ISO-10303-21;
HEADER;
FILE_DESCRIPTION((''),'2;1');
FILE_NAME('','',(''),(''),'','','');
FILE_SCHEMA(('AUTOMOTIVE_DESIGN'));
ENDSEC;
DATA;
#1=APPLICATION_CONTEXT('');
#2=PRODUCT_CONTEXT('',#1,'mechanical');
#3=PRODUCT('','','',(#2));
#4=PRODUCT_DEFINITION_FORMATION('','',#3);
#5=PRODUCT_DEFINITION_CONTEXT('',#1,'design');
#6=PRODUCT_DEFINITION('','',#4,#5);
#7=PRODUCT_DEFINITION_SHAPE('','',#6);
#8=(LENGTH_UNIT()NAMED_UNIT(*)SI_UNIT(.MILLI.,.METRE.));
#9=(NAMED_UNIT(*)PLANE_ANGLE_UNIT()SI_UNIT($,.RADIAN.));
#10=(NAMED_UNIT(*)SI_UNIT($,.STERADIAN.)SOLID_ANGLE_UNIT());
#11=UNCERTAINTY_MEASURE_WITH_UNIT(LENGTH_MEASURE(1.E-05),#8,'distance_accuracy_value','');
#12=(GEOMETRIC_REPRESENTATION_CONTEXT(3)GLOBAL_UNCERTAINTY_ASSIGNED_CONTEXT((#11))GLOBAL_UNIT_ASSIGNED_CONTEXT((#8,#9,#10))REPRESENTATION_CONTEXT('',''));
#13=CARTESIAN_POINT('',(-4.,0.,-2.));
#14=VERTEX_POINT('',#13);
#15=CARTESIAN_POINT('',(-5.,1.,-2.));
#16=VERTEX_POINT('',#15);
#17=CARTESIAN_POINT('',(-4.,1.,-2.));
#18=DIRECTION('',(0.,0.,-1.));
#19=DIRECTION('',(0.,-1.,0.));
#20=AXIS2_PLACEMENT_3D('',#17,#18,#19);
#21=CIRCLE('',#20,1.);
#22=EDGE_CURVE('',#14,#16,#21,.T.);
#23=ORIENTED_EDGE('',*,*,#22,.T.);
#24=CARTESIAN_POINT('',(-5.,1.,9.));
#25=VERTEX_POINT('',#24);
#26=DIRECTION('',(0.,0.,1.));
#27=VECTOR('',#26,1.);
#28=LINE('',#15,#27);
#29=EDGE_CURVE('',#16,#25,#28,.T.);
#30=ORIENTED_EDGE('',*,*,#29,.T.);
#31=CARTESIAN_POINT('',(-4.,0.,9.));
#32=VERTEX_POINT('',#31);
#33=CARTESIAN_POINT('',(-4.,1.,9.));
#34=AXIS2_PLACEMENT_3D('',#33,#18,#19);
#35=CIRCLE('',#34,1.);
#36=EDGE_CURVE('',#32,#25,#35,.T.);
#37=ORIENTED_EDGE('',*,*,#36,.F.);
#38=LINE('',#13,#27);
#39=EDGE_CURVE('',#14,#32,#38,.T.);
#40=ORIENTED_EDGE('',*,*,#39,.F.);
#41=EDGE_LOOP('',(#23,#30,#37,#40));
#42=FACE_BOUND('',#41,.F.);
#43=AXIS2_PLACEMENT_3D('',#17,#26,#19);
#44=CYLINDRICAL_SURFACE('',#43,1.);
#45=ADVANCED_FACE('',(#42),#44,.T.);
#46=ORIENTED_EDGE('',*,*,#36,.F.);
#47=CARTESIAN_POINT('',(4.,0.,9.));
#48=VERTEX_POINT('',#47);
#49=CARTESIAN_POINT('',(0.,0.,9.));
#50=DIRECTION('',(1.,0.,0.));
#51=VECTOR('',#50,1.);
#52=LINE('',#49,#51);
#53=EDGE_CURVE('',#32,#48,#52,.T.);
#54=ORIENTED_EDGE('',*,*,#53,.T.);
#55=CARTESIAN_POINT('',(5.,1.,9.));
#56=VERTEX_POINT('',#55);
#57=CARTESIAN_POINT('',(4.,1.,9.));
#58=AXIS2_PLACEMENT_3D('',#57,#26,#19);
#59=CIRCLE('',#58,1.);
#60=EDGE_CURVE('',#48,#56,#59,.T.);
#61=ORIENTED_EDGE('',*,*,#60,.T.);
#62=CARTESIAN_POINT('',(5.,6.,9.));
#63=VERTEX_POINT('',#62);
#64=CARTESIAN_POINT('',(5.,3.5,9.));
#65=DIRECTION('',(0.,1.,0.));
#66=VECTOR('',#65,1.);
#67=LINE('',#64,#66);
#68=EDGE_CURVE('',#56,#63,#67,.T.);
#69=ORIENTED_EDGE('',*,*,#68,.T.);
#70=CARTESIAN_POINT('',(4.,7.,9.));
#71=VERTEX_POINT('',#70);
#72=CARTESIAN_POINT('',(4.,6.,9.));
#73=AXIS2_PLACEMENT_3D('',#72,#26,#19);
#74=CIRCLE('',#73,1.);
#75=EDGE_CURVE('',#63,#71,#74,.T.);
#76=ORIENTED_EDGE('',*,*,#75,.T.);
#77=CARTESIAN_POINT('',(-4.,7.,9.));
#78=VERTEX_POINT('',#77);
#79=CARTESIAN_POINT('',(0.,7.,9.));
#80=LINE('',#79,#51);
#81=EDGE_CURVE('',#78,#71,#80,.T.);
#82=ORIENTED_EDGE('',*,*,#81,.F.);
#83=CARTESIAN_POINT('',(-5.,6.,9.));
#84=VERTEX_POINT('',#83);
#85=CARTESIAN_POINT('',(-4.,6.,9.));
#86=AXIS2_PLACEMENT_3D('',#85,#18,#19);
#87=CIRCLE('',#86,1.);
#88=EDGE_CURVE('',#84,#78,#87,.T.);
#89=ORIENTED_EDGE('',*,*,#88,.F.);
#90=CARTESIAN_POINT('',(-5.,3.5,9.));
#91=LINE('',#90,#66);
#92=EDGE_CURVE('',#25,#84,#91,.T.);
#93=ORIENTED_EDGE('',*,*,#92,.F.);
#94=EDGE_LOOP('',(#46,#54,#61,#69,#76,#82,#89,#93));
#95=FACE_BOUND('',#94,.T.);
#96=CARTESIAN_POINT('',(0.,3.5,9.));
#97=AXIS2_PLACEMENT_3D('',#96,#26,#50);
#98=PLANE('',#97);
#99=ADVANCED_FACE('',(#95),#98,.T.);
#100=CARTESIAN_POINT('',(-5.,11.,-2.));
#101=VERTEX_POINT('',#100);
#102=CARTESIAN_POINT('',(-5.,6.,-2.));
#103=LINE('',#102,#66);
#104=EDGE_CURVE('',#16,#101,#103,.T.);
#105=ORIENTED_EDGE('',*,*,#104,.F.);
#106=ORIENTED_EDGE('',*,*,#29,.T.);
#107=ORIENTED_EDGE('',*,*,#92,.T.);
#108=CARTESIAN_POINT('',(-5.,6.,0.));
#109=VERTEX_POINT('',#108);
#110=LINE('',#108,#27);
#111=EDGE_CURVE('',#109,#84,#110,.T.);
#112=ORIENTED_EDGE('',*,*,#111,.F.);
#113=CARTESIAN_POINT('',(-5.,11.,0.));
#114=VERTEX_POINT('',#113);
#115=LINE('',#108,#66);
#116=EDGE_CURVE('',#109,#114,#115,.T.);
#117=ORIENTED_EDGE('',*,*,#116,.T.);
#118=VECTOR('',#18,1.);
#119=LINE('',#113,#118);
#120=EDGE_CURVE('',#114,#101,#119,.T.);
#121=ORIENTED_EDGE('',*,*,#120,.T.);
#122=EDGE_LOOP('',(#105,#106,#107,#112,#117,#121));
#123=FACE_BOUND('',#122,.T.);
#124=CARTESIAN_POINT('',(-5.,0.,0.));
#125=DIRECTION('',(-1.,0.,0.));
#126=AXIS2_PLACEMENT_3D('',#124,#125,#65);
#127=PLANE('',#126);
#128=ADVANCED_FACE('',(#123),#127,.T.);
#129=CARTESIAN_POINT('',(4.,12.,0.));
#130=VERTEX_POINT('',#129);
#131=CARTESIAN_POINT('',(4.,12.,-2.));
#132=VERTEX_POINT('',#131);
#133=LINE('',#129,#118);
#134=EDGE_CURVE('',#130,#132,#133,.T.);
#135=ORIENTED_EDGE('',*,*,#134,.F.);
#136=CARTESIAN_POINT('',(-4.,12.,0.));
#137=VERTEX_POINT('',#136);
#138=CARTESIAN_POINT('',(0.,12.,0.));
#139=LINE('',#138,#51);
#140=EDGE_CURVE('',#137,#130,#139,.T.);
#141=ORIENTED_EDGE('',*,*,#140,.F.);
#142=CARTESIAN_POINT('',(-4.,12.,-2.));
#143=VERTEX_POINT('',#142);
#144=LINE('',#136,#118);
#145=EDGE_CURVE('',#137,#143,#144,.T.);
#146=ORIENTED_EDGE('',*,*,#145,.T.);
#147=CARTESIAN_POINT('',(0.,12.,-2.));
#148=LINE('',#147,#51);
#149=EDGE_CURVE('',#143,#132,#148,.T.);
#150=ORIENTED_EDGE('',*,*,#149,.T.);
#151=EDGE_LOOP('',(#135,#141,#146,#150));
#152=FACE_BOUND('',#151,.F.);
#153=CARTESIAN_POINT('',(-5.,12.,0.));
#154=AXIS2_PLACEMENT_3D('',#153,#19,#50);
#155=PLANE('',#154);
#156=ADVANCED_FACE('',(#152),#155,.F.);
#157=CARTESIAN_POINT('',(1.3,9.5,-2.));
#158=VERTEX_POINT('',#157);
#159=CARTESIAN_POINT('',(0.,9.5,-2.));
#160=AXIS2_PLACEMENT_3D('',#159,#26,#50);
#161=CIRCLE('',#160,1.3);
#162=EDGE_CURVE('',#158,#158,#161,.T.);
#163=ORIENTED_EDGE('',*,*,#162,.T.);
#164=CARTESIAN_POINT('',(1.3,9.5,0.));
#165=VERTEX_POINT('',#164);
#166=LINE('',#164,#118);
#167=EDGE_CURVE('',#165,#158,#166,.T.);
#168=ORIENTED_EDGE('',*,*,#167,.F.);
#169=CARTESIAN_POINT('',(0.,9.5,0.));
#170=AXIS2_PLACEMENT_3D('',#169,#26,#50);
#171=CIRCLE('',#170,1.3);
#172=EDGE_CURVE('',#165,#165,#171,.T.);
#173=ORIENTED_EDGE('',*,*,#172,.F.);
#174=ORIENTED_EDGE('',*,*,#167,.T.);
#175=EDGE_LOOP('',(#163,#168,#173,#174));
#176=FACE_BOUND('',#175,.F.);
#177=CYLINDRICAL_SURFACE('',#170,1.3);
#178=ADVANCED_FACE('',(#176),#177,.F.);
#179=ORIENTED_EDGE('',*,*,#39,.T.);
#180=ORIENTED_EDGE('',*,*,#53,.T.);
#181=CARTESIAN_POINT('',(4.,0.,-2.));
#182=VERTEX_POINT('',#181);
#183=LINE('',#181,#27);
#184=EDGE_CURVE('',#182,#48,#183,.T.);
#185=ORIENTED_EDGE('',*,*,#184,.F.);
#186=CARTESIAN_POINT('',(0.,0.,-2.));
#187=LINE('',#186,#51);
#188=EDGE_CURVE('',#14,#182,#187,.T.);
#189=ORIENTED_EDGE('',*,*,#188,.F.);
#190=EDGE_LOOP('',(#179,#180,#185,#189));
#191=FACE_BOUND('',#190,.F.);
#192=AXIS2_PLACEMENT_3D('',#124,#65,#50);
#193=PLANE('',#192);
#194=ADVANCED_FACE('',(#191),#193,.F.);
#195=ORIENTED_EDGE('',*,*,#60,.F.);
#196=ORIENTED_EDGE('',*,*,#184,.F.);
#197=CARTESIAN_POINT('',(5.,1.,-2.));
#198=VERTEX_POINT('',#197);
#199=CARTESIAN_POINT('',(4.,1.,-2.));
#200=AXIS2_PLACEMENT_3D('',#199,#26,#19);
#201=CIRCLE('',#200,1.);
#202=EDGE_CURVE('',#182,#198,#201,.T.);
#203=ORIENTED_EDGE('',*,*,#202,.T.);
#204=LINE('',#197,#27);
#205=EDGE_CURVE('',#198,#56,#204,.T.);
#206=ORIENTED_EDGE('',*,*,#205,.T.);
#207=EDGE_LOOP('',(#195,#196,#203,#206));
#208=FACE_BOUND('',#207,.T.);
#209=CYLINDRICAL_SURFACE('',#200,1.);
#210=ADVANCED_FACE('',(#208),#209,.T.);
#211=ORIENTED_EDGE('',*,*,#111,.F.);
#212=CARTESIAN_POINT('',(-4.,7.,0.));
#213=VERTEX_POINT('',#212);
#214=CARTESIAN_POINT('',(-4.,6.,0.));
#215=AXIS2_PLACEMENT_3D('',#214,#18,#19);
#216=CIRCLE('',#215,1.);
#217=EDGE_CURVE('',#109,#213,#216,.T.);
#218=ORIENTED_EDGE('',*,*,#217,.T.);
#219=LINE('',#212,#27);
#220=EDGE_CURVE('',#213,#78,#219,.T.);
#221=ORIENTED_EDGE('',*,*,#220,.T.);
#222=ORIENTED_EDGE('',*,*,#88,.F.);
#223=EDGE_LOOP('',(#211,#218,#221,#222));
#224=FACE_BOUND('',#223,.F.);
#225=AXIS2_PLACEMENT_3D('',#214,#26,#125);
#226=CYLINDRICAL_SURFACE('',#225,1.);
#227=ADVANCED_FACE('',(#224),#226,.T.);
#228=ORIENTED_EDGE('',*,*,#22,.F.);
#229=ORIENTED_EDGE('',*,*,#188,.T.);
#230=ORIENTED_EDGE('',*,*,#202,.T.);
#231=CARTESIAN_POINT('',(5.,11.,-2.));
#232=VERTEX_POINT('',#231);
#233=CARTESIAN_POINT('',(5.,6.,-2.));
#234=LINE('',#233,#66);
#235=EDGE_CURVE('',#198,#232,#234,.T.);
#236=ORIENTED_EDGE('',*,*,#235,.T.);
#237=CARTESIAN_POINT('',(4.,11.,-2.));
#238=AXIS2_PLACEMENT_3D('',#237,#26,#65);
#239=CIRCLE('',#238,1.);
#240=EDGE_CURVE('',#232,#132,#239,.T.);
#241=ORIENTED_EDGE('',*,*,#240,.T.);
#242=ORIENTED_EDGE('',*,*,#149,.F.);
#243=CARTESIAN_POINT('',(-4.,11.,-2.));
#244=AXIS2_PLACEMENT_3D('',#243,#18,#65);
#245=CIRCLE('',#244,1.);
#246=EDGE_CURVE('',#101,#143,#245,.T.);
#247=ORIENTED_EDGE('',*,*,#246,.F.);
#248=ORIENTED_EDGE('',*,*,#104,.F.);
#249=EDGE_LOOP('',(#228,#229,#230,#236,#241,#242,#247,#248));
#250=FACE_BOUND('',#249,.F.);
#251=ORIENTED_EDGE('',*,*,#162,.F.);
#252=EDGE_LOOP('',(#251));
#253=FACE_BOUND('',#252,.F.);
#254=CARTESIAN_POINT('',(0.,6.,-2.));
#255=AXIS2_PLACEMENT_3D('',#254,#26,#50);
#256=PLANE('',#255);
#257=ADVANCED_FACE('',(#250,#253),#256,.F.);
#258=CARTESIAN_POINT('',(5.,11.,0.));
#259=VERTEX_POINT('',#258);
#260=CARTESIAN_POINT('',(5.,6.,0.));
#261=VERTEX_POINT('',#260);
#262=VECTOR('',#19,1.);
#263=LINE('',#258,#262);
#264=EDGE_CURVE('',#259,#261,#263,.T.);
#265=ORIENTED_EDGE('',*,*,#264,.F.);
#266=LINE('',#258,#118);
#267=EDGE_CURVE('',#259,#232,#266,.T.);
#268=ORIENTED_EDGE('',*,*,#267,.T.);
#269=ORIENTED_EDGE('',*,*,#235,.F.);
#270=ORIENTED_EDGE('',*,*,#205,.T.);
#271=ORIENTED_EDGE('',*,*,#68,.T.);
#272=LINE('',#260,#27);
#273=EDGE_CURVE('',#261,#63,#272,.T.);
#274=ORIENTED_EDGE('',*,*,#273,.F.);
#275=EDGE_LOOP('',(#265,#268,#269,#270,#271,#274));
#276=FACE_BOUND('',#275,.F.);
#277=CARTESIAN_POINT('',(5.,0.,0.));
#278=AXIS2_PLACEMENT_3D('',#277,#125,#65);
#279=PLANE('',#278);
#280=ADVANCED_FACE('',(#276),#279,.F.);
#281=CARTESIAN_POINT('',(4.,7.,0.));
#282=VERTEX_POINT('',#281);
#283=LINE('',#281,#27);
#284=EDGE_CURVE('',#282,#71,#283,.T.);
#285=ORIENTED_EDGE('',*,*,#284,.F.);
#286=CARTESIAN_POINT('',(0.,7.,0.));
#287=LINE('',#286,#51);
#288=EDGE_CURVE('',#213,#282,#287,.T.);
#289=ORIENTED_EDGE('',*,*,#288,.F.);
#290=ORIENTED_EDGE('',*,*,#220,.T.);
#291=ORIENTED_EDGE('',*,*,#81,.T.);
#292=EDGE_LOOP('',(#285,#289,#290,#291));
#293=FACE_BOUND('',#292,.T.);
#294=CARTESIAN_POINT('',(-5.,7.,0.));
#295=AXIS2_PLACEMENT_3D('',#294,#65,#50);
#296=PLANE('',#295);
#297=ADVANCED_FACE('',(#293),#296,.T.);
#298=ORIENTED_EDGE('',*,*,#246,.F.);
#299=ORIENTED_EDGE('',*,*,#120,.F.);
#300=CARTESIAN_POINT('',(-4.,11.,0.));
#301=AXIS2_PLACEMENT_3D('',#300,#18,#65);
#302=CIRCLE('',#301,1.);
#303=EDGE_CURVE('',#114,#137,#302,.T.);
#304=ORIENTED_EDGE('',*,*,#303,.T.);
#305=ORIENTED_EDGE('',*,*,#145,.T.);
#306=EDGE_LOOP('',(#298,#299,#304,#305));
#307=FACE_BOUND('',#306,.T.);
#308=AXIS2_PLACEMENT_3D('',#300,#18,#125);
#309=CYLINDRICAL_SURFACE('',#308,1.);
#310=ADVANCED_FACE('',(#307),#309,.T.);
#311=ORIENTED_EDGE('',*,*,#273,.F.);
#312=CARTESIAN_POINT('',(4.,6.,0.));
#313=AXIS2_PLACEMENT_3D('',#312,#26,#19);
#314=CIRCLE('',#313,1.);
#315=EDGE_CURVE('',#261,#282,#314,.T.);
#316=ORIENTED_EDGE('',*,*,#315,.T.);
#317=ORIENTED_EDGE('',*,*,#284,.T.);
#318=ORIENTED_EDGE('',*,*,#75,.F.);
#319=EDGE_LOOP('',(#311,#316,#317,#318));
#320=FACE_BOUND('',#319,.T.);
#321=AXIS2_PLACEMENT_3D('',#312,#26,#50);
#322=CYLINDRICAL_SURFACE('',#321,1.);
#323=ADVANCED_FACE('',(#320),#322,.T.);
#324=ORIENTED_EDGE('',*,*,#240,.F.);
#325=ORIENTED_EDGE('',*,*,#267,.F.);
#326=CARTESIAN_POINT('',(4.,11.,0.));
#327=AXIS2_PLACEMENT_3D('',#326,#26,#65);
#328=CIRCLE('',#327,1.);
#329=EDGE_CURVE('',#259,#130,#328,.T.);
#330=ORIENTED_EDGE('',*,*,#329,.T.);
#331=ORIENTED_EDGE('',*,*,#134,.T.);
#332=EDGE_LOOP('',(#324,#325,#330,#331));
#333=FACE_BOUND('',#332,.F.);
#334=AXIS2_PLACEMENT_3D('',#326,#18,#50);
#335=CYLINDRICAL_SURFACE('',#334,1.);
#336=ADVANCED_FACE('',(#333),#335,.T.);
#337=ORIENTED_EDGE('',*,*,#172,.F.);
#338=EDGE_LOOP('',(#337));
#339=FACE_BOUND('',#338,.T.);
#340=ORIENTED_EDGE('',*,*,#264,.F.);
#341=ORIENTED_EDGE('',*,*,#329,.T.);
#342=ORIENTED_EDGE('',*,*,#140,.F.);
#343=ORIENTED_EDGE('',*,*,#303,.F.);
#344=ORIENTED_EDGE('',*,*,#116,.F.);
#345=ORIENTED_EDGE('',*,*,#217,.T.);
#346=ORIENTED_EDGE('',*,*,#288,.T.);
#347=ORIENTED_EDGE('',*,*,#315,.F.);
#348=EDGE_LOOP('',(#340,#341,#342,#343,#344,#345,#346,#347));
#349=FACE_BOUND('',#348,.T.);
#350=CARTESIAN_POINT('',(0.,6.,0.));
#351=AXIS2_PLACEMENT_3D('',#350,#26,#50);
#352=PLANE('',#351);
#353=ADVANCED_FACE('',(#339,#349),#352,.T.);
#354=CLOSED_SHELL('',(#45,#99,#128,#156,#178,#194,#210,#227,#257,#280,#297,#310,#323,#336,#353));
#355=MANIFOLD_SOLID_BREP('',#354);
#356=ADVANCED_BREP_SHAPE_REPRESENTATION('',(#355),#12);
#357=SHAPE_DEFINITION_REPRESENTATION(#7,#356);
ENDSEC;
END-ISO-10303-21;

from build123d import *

# Parameters (mm, degrees)
SKETCH001_W  = 10
SKETCH001_H  = 7
PAD001_DEPTH = 9
SKETCH_W     = 10
SKETCH_H     = 12
SKETCH_R     = 1.3
PAD_DEPTH    = 2
FILLET_R     = 1
FILLET001_R  = 1


with BuildPart() as pad001:
    # Sketch001 → Pad001 (new body)
    with BuildSketch(Plane.XY):
        with Locations((0, 3.5)):
            Rectangle(SKETCH001_W, SKETCH001_H)
    extrude(amount=PAD001_DEPTH)


with BuildPart() as fillet001:
    # Sketch → Pad (new body)
    with BuildSketch(Plane.XY):
        with Locations((0, 6)):
            Rectangle(SKETCH_W, SKETCH_H)
        with Locations((0, 9.5)):
            Circle(SKETCH_R, mode=Mode.SUBTRACT)
    extrude(amount=-PAD_DEPTH)

    # Fusion: union Pad001
    add(pad001.part)

    # Fillet
    fillet_edges = [fillet001.edges().sort_by_distance(p)[0] for p in [
        (5, 0, 4.5),
        (5, 0, -1),
    ]]
    fillet(fillet_edges, radius=FILLET_R)

    # Fillet001
    fillet001_edges = [fillet001.edges().sort_by_distance(p)[0] for p in [
        (-5, 0, 4.5),
        (-5, 0, -1),
        (-5, 7, 4.5),
        (-5, 12, -1),
        (5, 7, 4.5),
        (5, 12, -1),
    ]]
    fillet(fillet001_edges, radius=FILLET001_R)


solid = fillet001.part
